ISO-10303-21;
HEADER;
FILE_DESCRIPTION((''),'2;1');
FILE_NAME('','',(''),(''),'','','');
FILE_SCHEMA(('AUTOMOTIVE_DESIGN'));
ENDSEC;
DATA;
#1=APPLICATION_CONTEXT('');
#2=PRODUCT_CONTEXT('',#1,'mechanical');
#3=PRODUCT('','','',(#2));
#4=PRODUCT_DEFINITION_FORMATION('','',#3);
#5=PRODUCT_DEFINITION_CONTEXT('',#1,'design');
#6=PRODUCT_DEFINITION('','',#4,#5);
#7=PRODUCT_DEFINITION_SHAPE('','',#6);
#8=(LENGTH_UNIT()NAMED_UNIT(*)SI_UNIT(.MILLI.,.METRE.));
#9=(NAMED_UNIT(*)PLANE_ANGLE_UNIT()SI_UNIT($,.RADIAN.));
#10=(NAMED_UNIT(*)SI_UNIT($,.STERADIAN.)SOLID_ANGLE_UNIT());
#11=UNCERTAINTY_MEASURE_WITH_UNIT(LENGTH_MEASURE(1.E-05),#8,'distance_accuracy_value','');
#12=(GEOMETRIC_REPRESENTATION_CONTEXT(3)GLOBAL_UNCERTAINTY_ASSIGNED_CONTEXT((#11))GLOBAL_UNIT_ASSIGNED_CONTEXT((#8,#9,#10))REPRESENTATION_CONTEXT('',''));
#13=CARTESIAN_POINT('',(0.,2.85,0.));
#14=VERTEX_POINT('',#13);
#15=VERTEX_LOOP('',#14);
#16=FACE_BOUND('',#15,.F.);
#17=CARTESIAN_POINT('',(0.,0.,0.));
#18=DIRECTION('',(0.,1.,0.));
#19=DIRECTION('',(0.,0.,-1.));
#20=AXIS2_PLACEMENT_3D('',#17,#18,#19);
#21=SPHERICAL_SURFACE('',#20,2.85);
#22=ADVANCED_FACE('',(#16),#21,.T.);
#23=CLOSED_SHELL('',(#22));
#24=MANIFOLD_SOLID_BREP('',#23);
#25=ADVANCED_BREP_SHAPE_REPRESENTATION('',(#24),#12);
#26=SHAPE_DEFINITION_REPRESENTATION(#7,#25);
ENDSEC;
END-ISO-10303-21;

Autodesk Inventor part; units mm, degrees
ref_plane "YZ Plane" through (0, 0, 0) normal (1, 0, 0) x (0, 1, 0)
ref_plane "XZ Plane" through (0, 0, 0) normal (0, 1, 0) x (-1, 0, 0)
ref_plane "XY Plane" through (0, 0, 0) normal (0, 0, 1) x (1, 0, 0)
sketch "Sketch1" plane through (0, 0, 0) normal (1, 0, 0) x (0, 1, 0)
  circle A0 centre (0, 0) radius 1.75
  line L0 (1.75, 0) -> (-1.75, 0)
  circle A1 centre (0, 0) radius 2.85
  line L1 (-2.85, 0) -> (2.85, 0)
  dimension "d3" = 5.7
revolve "Revolution1" add sketch "Sketch1" angle 360 about axis through (0, 1.75, 0) along (0, -1, 0) picked at (2.4557, -0.2273) picked at (-0.3314, -0.4801) contours L1 A1 A0 | A0 L0
properties part number "roll_ball_1"
